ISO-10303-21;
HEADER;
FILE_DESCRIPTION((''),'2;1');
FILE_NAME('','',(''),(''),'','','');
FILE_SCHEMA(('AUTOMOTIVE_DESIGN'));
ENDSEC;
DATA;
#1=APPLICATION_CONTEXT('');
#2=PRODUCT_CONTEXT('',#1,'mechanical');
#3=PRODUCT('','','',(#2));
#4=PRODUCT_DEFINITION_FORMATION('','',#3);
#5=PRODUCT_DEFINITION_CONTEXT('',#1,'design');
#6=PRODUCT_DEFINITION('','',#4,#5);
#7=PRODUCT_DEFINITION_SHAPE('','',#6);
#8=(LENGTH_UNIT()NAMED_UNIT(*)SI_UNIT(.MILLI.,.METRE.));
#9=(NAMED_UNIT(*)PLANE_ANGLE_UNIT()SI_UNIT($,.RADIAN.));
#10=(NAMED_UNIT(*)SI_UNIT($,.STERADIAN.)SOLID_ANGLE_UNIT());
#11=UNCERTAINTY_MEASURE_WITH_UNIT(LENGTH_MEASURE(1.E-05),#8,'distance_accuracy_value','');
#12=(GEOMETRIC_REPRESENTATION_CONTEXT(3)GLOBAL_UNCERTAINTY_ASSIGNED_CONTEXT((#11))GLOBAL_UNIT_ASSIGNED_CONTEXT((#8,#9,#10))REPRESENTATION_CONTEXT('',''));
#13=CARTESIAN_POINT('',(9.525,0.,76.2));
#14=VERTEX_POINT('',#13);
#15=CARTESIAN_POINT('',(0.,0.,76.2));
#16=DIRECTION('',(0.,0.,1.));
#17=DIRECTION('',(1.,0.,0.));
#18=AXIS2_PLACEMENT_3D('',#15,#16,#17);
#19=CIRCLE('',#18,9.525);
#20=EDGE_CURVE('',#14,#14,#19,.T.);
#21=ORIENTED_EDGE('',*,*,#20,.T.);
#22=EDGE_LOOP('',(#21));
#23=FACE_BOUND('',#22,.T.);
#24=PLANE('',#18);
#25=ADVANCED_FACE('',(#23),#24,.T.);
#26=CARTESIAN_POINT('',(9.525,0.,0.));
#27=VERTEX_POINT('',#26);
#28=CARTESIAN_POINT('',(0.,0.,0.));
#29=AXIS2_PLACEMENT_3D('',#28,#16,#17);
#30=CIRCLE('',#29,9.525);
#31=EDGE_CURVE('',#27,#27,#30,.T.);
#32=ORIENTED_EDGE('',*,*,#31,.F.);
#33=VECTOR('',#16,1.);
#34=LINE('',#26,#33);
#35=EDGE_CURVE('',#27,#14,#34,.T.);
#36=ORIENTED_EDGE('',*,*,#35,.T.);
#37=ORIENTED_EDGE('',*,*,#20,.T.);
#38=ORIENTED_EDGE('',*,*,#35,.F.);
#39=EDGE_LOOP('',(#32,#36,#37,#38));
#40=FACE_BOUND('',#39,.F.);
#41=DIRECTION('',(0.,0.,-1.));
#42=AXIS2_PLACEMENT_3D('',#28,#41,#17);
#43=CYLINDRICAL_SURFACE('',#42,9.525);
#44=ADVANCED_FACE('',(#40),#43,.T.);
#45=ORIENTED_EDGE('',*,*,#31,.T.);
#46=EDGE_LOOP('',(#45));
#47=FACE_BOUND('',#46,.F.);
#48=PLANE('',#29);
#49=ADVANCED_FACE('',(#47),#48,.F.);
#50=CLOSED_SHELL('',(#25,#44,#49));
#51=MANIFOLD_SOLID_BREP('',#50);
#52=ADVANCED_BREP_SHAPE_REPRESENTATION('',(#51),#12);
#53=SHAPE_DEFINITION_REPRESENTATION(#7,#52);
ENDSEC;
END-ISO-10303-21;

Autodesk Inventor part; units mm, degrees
ref_plane "YZ Plane" through (0, 0, 0) normal (1, 0, 0) x (0, 1, 0)
ref_plane "XZ Plane" through (0, 0, 0) normal (0, 1, 0) x (-1, 0, 0)
ref_plane "XY Plane" through (0, 0, 0) normal (0, 0, 1) x (1, 0, 0)
sketch "Sketch1" plane through (0, 0, 0) normal (0, 0, 1) x (1, 0, 0)
  circle A0 centre (0, 0) radius 9.525
  dimension "d0" = 19.05
extrude "Extrusion1" add sketch "Sketch1" along normal blind 76.2
properties part number "LiftLine"
